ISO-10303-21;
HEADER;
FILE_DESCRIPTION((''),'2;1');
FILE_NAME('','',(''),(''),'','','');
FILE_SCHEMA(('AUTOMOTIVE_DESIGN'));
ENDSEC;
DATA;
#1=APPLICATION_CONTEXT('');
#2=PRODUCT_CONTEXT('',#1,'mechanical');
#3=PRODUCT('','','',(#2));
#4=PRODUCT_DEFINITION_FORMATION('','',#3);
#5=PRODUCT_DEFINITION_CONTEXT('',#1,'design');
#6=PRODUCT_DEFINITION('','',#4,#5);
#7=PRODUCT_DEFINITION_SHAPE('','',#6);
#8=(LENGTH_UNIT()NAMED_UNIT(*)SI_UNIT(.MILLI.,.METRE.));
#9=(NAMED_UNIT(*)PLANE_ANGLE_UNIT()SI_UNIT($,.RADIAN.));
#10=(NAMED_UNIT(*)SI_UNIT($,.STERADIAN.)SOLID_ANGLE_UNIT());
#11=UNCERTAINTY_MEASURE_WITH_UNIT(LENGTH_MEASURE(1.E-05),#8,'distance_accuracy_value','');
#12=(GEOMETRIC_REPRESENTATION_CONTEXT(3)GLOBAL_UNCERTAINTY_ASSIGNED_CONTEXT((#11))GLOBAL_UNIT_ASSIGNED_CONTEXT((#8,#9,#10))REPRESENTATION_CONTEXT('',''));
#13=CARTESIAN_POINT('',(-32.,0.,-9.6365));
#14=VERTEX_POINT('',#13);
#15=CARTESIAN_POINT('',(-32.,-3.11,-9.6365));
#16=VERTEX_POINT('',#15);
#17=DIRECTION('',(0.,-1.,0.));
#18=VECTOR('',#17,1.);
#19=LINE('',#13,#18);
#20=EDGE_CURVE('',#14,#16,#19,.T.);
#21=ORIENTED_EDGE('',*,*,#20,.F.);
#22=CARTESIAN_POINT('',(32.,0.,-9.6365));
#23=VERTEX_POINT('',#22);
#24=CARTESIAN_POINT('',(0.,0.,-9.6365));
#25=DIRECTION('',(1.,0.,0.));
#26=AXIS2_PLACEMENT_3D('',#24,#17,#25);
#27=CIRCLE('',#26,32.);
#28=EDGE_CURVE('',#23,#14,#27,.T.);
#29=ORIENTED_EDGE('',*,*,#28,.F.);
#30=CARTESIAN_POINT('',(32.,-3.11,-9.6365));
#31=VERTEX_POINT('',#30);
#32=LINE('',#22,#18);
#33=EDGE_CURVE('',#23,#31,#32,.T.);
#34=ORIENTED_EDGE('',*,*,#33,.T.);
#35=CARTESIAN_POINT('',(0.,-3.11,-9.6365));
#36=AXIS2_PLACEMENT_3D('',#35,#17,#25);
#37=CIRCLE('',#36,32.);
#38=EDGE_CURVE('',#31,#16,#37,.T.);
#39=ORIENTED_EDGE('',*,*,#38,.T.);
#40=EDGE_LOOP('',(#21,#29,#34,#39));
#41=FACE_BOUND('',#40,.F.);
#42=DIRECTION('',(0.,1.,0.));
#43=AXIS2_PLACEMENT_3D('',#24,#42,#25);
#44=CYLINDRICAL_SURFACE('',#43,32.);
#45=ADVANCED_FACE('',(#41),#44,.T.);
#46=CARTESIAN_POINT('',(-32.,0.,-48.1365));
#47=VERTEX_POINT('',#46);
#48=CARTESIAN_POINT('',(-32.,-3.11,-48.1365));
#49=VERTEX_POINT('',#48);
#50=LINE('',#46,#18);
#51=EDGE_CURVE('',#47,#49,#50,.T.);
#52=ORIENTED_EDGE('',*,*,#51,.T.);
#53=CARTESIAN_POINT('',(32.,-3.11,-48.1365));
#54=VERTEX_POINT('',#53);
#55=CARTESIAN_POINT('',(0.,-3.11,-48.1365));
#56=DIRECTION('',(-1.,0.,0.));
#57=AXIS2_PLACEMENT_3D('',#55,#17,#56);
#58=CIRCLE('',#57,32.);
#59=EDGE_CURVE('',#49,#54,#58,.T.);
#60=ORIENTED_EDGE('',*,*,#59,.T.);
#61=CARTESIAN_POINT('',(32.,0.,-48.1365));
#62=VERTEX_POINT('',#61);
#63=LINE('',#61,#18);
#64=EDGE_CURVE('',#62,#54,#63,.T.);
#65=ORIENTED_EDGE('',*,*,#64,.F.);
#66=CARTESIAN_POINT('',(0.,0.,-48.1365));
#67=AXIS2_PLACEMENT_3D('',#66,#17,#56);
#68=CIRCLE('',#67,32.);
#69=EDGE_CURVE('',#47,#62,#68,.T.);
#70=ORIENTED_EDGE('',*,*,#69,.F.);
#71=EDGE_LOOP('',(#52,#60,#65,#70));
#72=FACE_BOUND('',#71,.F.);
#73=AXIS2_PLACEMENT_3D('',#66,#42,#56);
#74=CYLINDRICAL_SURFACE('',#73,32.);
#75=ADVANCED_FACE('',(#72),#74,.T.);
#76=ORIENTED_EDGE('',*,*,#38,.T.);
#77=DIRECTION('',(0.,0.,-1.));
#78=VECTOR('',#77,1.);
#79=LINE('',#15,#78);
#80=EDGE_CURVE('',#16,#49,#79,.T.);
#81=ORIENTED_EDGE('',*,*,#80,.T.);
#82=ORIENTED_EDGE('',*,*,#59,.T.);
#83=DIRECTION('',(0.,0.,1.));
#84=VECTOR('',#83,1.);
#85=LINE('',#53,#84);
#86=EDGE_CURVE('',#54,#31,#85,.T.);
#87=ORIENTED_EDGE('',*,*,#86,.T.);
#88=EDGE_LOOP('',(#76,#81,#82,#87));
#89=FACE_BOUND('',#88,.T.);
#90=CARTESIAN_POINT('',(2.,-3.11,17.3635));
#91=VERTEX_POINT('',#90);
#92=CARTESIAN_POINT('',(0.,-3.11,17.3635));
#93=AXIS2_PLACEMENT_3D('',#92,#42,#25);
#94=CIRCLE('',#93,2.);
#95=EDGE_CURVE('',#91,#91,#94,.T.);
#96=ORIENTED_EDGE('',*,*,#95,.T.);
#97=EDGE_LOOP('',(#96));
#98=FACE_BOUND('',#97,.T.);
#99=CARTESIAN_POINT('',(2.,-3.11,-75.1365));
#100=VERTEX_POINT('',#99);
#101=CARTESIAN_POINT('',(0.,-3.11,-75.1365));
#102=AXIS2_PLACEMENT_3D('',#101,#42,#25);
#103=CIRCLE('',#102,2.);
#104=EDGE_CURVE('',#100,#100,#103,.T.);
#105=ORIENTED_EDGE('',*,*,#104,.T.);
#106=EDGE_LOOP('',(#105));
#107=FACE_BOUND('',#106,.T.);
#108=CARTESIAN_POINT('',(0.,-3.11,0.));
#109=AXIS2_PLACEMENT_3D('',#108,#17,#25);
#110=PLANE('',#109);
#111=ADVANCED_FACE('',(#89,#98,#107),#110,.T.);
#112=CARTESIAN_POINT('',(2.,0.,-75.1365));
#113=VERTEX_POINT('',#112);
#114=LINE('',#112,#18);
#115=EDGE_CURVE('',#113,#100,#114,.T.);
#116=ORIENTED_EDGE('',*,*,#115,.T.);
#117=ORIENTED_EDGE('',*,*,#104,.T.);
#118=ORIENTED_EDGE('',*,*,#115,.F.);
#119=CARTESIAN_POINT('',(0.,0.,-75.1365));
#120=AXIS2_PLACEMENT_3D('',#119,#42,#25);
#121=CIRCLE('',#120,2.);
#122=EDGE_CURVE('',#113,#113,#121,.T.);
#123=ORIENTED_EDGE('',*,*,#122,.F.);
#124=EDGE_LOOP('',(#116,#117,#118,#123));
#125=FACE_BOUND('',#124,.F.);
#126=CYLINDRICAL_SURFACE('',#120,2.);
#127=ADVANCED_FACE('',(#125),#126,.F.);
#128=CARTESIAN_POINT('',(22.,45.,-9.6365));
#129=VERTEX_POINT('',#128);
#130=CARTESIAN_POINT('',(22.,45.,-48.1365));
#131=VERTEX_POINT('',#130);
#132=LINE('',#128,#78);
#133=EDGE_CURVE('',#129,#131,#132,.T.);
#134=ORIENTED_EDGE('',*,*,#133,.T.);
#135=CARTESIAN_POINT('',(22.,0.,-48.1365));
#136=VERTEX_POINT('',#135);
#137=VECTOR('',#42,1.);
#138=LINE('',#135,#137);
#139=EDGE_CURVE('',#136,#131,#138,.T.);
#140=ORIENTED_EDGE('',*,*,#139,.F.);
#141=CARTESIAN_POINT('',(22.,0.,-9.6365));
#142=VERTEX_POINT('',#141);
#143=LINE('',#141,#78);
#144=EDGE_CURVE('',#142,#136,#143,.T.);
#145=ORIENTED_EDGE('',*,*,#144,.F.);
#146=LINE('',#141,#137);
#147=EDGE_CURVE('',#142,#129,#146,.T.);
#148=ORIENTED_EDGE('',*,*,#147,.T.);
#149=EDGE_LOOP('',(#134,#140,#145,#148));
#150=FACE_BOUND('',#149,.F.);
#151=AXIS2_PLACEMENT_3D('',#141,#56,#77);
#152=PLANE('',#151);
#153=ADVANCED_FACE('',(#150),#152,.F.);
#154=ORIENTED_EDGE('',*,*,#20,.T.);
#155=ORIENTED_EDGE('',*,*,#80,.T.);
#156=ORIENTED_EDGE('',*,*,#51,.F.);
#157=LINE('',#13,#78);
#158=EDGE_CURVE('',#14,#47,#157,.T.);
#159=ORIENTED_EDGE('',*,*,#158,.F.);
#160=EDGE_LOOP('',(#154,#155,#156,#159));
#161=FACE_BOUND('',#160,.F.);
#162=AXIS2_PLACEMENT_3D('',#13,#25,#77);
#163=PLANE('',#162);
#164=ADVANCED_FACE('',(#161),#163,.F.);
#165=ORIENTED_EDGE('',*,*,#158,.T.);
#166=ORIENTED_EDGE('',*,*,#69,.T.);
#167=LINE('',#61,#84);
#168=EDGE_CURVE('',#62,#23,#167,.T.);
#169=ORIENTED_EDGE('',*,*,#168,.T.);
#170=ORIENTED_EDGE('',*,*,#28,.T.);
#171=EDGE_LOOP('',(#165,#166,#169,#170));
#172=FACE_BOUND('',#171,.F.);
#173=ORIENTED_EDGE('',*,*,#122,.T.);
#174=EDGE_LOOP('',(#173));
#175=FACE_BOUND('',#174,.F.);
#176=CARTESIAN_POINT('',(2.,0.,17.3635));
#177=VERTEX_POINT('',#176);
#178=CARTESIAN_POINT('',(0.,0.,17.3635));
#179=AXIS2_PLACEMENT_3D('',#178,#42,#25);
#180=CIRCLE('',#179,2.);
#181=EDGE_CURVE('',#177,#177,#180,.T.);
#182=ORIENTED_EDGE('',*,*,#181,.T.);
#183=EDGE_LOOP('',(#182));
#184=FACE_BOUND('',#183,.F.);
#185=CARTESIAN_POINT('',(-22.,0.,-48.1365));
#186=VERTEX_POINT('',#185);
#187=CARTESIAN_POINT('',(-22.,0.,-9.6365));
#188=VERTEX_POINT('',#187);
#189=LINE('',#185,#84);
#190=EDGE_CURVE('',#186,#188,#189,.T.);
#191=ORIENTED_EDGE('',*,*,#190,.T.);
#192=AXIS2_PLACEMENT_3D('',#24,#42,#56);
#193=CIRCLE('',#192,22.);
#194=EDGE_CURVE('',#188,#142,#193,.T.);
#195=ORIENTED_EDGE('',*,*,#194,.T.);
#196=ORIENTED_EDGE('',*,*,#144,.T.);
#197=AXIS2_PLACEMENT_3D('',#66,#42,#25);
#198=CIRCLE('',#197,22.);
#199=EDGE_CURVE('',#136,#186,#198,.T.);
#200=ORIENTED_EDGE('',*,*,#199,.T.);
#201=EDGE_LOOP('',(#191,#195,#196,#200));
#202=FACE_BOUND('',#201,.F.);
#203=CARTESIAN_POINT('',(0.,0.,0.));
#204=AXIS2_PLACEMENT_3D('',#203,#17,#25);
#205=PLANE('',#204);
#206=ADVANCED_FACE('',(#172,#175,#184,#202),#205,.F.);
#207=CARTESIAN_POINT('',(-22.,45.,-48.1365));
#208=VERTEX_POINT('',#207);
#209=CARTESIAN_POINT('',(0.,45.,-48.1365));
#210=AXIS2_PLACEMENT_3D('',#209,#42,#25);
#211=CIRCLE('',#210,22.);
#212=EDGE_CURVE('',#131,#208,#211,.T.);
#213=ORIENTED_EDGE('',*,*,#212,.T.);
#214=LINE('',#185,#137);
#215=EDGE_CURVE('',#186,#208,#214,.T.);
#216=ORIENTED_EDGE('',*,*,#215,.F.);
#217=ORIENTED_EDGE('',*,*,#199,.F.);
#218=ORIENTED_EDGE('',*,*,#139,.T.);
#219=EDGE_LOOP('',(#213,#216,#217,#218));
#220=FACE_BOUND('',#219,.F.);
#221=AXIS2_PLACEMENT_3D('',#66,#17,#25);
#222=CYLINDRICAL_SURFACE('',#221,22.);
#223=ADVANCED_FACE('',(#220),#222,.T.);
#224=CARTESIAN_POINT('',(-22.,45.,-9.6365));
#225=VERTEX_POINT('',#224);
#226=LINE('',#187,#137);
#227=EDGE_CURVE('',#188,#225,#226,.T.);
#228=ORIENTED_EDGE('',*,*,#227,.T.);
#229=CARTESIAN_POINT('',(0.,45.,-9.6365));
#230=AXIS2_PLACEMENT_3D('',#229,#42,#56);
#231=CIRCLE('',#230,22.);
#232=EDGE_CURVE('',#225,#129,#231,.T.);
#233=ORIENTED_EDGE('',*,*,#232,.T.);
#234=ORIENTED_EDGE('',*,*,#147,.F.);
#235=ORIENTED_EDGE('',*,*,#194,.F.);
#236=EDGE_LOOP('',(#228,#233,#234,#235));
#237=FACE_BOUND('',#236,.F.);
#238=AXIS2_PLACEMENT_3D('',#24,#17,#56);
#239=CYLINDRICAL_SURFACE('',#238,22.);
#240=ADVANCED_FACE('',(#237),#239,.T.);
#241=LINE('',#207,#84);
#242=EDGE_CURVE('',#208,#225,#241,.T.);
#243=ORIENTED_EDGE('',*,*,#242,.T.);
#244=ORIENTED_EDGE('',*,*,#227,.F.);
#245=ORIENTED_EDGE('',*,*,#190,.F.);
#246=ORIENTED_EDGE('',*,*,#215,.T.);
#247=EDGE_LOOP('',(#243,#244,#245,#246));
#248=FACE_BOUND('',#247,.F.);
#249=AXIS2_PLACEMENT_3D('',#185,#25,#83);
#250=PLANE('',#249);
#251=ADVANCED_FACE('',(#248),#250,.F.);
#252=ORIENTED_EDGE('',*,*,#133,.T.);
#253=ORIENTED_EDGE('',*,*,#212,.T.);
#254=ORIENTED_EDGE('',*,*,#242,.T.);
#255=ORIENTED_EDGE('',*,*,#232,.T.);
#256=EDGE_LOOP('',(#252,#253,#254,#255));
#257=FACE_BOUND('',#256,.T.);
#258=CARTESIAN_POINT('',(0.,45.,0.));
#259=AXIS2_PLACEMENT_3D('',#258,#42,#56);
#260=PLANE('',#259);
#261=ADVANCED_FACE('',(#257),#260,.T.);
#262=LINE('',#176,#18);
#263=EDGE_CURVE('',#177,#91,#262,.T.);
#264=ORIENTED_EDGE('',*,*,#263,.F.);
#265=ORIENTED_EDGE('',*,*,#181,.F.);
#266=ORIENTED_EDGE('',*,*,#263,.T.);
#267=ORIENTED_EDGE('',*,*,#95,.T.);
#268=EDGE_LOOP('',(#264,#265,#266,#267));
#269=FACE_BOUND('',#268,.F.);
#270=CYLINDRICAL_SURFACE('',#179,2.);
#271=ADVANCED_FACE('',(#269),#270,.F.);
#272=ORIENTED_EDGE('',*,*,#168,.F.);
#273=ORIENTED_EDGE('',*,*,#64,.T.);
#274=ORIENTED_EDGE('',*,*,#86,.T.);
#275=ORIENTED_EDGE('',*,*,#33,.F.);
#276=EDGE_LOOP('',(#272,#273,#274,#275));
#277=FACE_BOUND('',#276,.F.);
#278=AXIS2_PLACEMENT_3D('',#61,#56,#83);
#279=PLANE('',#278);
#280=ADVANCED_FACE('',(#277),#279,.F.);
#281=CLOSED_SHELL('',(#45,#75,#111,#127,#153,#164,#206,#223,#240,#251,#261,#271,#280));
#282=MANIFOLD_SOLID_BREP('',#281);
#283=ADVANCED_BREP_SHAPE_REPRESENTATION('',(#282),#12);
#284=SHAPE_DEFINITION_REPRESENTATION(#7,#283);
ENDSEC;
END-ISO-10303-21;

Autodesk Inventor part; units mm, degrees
ref_plane "YZ Plane" through (0, 0, 0) normal (1, 0, 0) x (0, 1, 0)
ref_plane "XZ Plane" through (0, 0, 0) normal (0, 1, 0) x (-1, 0, 0)
ref_plane "XY Plane" through (0, 0, 0) normal (0, 0, 1) x (1, 0, 0)
sketch "Sketch1" plane through (0, 0, 0) normal (0, 1, 0) x (-1, 0, 0)
  line L0 (0, 12.3635) -> (0, -70.1365) construction
  line L1 (-22, -9.6365) -> (-22, -48.1365)
  line L2 (22, -48.1365) -> (22, -9.6365)
  arc A0 (22, -9.6365) -> (-22, -9.6365) centre (0, -9.6365) ccw
  arc A1 (-22, -48.1365) -> (22, -48.1365) centre (0, -48.1365) ccw
  point P0 (0, 0)
  point P1 (0, -28.8865)
  dimension "d0" = 82.5
  dimension "d1" = 44
extrude "Extrusion1" add sketch "Sketch1" along normal blind 45
sketch "Sketch2" plane through (0, 0, 0) normal (0, -1, 0) x (1, 0, 0)
  arc A0 (22, -9.6365) -> (-22, -9.6365) centre (0, -9.6365) ccw projected
  line L0 (0, 12.3635) -> (0, -70.1365)
  arc A1 (-22, -48.1365) -> (22, -48.1365) centre (0, -48.1365) ccw projected
  line L1 (0, -28.8865) -> (22, -28.8865) construction
  line L2 (0, 22.3635) -> (0, -80.1365) construction
  line L3 (-32, -9.6365) -> (-32, -48.1365)
  line L4 (32, -48.1365) -> (32, -9.6365)
  arc A2 (32, -9.6365) -> (-32, -9.6365) centre (0, -9.6365) ccw
  arc A3 (-32, -48.1365) -> (32, -48.1365) centre (0, -48.1365) ccw
  line L5 (22, -9.6365) -> (22, -48.1365) projected
  line L6 (-22, -48.1365) -> (-22, -9.6365) projected
  point P0 (0, 0)
  point P1 (8.1717, -6.5277)
  point P2 (0, -80.1365)
  point P3 (0, 22.3635)
  point P4 (0, -70.1365)
  dimension "d8" = 10
  dimension "d9" = 10
  dimension "d10" = 10
extrude "Extrusion2" add sketch "Sketch2" along normal blind 3.11 contours L5 A1 L0 A0 | L0 A1 L6 A0 | A2 L4 A3 L3
sketch "Sketch3" plane through (0, 0, 0) normal (0, 1, 0) x (1, 0, 0)
  circle A0 centre (0, -17.3635) radius 2
  arc A1 (-22, 9.6365) -> (22, 9.6365) centre (0, 9.6365) ccw projected
  line L0 (-32, 9.6365) -> (-32, 48.1365) projected
  line L1 (-32, 28.8865) -> (32, 28.8865) construction
  line L2 (32, 48.1365) -> (32, 9.6365) projected
  circle A2 centre (0, 75.1365) radius 2
  point P0 (0, 0)
  point P1 (0, -12.3635)
  dimension "d13" = 4
  dimension "d14" = 5
extrude "Extrusion3" cut sketch "Sketch3" against normal blind 7.7
properties part number "FabLabPlugwithbottom"
